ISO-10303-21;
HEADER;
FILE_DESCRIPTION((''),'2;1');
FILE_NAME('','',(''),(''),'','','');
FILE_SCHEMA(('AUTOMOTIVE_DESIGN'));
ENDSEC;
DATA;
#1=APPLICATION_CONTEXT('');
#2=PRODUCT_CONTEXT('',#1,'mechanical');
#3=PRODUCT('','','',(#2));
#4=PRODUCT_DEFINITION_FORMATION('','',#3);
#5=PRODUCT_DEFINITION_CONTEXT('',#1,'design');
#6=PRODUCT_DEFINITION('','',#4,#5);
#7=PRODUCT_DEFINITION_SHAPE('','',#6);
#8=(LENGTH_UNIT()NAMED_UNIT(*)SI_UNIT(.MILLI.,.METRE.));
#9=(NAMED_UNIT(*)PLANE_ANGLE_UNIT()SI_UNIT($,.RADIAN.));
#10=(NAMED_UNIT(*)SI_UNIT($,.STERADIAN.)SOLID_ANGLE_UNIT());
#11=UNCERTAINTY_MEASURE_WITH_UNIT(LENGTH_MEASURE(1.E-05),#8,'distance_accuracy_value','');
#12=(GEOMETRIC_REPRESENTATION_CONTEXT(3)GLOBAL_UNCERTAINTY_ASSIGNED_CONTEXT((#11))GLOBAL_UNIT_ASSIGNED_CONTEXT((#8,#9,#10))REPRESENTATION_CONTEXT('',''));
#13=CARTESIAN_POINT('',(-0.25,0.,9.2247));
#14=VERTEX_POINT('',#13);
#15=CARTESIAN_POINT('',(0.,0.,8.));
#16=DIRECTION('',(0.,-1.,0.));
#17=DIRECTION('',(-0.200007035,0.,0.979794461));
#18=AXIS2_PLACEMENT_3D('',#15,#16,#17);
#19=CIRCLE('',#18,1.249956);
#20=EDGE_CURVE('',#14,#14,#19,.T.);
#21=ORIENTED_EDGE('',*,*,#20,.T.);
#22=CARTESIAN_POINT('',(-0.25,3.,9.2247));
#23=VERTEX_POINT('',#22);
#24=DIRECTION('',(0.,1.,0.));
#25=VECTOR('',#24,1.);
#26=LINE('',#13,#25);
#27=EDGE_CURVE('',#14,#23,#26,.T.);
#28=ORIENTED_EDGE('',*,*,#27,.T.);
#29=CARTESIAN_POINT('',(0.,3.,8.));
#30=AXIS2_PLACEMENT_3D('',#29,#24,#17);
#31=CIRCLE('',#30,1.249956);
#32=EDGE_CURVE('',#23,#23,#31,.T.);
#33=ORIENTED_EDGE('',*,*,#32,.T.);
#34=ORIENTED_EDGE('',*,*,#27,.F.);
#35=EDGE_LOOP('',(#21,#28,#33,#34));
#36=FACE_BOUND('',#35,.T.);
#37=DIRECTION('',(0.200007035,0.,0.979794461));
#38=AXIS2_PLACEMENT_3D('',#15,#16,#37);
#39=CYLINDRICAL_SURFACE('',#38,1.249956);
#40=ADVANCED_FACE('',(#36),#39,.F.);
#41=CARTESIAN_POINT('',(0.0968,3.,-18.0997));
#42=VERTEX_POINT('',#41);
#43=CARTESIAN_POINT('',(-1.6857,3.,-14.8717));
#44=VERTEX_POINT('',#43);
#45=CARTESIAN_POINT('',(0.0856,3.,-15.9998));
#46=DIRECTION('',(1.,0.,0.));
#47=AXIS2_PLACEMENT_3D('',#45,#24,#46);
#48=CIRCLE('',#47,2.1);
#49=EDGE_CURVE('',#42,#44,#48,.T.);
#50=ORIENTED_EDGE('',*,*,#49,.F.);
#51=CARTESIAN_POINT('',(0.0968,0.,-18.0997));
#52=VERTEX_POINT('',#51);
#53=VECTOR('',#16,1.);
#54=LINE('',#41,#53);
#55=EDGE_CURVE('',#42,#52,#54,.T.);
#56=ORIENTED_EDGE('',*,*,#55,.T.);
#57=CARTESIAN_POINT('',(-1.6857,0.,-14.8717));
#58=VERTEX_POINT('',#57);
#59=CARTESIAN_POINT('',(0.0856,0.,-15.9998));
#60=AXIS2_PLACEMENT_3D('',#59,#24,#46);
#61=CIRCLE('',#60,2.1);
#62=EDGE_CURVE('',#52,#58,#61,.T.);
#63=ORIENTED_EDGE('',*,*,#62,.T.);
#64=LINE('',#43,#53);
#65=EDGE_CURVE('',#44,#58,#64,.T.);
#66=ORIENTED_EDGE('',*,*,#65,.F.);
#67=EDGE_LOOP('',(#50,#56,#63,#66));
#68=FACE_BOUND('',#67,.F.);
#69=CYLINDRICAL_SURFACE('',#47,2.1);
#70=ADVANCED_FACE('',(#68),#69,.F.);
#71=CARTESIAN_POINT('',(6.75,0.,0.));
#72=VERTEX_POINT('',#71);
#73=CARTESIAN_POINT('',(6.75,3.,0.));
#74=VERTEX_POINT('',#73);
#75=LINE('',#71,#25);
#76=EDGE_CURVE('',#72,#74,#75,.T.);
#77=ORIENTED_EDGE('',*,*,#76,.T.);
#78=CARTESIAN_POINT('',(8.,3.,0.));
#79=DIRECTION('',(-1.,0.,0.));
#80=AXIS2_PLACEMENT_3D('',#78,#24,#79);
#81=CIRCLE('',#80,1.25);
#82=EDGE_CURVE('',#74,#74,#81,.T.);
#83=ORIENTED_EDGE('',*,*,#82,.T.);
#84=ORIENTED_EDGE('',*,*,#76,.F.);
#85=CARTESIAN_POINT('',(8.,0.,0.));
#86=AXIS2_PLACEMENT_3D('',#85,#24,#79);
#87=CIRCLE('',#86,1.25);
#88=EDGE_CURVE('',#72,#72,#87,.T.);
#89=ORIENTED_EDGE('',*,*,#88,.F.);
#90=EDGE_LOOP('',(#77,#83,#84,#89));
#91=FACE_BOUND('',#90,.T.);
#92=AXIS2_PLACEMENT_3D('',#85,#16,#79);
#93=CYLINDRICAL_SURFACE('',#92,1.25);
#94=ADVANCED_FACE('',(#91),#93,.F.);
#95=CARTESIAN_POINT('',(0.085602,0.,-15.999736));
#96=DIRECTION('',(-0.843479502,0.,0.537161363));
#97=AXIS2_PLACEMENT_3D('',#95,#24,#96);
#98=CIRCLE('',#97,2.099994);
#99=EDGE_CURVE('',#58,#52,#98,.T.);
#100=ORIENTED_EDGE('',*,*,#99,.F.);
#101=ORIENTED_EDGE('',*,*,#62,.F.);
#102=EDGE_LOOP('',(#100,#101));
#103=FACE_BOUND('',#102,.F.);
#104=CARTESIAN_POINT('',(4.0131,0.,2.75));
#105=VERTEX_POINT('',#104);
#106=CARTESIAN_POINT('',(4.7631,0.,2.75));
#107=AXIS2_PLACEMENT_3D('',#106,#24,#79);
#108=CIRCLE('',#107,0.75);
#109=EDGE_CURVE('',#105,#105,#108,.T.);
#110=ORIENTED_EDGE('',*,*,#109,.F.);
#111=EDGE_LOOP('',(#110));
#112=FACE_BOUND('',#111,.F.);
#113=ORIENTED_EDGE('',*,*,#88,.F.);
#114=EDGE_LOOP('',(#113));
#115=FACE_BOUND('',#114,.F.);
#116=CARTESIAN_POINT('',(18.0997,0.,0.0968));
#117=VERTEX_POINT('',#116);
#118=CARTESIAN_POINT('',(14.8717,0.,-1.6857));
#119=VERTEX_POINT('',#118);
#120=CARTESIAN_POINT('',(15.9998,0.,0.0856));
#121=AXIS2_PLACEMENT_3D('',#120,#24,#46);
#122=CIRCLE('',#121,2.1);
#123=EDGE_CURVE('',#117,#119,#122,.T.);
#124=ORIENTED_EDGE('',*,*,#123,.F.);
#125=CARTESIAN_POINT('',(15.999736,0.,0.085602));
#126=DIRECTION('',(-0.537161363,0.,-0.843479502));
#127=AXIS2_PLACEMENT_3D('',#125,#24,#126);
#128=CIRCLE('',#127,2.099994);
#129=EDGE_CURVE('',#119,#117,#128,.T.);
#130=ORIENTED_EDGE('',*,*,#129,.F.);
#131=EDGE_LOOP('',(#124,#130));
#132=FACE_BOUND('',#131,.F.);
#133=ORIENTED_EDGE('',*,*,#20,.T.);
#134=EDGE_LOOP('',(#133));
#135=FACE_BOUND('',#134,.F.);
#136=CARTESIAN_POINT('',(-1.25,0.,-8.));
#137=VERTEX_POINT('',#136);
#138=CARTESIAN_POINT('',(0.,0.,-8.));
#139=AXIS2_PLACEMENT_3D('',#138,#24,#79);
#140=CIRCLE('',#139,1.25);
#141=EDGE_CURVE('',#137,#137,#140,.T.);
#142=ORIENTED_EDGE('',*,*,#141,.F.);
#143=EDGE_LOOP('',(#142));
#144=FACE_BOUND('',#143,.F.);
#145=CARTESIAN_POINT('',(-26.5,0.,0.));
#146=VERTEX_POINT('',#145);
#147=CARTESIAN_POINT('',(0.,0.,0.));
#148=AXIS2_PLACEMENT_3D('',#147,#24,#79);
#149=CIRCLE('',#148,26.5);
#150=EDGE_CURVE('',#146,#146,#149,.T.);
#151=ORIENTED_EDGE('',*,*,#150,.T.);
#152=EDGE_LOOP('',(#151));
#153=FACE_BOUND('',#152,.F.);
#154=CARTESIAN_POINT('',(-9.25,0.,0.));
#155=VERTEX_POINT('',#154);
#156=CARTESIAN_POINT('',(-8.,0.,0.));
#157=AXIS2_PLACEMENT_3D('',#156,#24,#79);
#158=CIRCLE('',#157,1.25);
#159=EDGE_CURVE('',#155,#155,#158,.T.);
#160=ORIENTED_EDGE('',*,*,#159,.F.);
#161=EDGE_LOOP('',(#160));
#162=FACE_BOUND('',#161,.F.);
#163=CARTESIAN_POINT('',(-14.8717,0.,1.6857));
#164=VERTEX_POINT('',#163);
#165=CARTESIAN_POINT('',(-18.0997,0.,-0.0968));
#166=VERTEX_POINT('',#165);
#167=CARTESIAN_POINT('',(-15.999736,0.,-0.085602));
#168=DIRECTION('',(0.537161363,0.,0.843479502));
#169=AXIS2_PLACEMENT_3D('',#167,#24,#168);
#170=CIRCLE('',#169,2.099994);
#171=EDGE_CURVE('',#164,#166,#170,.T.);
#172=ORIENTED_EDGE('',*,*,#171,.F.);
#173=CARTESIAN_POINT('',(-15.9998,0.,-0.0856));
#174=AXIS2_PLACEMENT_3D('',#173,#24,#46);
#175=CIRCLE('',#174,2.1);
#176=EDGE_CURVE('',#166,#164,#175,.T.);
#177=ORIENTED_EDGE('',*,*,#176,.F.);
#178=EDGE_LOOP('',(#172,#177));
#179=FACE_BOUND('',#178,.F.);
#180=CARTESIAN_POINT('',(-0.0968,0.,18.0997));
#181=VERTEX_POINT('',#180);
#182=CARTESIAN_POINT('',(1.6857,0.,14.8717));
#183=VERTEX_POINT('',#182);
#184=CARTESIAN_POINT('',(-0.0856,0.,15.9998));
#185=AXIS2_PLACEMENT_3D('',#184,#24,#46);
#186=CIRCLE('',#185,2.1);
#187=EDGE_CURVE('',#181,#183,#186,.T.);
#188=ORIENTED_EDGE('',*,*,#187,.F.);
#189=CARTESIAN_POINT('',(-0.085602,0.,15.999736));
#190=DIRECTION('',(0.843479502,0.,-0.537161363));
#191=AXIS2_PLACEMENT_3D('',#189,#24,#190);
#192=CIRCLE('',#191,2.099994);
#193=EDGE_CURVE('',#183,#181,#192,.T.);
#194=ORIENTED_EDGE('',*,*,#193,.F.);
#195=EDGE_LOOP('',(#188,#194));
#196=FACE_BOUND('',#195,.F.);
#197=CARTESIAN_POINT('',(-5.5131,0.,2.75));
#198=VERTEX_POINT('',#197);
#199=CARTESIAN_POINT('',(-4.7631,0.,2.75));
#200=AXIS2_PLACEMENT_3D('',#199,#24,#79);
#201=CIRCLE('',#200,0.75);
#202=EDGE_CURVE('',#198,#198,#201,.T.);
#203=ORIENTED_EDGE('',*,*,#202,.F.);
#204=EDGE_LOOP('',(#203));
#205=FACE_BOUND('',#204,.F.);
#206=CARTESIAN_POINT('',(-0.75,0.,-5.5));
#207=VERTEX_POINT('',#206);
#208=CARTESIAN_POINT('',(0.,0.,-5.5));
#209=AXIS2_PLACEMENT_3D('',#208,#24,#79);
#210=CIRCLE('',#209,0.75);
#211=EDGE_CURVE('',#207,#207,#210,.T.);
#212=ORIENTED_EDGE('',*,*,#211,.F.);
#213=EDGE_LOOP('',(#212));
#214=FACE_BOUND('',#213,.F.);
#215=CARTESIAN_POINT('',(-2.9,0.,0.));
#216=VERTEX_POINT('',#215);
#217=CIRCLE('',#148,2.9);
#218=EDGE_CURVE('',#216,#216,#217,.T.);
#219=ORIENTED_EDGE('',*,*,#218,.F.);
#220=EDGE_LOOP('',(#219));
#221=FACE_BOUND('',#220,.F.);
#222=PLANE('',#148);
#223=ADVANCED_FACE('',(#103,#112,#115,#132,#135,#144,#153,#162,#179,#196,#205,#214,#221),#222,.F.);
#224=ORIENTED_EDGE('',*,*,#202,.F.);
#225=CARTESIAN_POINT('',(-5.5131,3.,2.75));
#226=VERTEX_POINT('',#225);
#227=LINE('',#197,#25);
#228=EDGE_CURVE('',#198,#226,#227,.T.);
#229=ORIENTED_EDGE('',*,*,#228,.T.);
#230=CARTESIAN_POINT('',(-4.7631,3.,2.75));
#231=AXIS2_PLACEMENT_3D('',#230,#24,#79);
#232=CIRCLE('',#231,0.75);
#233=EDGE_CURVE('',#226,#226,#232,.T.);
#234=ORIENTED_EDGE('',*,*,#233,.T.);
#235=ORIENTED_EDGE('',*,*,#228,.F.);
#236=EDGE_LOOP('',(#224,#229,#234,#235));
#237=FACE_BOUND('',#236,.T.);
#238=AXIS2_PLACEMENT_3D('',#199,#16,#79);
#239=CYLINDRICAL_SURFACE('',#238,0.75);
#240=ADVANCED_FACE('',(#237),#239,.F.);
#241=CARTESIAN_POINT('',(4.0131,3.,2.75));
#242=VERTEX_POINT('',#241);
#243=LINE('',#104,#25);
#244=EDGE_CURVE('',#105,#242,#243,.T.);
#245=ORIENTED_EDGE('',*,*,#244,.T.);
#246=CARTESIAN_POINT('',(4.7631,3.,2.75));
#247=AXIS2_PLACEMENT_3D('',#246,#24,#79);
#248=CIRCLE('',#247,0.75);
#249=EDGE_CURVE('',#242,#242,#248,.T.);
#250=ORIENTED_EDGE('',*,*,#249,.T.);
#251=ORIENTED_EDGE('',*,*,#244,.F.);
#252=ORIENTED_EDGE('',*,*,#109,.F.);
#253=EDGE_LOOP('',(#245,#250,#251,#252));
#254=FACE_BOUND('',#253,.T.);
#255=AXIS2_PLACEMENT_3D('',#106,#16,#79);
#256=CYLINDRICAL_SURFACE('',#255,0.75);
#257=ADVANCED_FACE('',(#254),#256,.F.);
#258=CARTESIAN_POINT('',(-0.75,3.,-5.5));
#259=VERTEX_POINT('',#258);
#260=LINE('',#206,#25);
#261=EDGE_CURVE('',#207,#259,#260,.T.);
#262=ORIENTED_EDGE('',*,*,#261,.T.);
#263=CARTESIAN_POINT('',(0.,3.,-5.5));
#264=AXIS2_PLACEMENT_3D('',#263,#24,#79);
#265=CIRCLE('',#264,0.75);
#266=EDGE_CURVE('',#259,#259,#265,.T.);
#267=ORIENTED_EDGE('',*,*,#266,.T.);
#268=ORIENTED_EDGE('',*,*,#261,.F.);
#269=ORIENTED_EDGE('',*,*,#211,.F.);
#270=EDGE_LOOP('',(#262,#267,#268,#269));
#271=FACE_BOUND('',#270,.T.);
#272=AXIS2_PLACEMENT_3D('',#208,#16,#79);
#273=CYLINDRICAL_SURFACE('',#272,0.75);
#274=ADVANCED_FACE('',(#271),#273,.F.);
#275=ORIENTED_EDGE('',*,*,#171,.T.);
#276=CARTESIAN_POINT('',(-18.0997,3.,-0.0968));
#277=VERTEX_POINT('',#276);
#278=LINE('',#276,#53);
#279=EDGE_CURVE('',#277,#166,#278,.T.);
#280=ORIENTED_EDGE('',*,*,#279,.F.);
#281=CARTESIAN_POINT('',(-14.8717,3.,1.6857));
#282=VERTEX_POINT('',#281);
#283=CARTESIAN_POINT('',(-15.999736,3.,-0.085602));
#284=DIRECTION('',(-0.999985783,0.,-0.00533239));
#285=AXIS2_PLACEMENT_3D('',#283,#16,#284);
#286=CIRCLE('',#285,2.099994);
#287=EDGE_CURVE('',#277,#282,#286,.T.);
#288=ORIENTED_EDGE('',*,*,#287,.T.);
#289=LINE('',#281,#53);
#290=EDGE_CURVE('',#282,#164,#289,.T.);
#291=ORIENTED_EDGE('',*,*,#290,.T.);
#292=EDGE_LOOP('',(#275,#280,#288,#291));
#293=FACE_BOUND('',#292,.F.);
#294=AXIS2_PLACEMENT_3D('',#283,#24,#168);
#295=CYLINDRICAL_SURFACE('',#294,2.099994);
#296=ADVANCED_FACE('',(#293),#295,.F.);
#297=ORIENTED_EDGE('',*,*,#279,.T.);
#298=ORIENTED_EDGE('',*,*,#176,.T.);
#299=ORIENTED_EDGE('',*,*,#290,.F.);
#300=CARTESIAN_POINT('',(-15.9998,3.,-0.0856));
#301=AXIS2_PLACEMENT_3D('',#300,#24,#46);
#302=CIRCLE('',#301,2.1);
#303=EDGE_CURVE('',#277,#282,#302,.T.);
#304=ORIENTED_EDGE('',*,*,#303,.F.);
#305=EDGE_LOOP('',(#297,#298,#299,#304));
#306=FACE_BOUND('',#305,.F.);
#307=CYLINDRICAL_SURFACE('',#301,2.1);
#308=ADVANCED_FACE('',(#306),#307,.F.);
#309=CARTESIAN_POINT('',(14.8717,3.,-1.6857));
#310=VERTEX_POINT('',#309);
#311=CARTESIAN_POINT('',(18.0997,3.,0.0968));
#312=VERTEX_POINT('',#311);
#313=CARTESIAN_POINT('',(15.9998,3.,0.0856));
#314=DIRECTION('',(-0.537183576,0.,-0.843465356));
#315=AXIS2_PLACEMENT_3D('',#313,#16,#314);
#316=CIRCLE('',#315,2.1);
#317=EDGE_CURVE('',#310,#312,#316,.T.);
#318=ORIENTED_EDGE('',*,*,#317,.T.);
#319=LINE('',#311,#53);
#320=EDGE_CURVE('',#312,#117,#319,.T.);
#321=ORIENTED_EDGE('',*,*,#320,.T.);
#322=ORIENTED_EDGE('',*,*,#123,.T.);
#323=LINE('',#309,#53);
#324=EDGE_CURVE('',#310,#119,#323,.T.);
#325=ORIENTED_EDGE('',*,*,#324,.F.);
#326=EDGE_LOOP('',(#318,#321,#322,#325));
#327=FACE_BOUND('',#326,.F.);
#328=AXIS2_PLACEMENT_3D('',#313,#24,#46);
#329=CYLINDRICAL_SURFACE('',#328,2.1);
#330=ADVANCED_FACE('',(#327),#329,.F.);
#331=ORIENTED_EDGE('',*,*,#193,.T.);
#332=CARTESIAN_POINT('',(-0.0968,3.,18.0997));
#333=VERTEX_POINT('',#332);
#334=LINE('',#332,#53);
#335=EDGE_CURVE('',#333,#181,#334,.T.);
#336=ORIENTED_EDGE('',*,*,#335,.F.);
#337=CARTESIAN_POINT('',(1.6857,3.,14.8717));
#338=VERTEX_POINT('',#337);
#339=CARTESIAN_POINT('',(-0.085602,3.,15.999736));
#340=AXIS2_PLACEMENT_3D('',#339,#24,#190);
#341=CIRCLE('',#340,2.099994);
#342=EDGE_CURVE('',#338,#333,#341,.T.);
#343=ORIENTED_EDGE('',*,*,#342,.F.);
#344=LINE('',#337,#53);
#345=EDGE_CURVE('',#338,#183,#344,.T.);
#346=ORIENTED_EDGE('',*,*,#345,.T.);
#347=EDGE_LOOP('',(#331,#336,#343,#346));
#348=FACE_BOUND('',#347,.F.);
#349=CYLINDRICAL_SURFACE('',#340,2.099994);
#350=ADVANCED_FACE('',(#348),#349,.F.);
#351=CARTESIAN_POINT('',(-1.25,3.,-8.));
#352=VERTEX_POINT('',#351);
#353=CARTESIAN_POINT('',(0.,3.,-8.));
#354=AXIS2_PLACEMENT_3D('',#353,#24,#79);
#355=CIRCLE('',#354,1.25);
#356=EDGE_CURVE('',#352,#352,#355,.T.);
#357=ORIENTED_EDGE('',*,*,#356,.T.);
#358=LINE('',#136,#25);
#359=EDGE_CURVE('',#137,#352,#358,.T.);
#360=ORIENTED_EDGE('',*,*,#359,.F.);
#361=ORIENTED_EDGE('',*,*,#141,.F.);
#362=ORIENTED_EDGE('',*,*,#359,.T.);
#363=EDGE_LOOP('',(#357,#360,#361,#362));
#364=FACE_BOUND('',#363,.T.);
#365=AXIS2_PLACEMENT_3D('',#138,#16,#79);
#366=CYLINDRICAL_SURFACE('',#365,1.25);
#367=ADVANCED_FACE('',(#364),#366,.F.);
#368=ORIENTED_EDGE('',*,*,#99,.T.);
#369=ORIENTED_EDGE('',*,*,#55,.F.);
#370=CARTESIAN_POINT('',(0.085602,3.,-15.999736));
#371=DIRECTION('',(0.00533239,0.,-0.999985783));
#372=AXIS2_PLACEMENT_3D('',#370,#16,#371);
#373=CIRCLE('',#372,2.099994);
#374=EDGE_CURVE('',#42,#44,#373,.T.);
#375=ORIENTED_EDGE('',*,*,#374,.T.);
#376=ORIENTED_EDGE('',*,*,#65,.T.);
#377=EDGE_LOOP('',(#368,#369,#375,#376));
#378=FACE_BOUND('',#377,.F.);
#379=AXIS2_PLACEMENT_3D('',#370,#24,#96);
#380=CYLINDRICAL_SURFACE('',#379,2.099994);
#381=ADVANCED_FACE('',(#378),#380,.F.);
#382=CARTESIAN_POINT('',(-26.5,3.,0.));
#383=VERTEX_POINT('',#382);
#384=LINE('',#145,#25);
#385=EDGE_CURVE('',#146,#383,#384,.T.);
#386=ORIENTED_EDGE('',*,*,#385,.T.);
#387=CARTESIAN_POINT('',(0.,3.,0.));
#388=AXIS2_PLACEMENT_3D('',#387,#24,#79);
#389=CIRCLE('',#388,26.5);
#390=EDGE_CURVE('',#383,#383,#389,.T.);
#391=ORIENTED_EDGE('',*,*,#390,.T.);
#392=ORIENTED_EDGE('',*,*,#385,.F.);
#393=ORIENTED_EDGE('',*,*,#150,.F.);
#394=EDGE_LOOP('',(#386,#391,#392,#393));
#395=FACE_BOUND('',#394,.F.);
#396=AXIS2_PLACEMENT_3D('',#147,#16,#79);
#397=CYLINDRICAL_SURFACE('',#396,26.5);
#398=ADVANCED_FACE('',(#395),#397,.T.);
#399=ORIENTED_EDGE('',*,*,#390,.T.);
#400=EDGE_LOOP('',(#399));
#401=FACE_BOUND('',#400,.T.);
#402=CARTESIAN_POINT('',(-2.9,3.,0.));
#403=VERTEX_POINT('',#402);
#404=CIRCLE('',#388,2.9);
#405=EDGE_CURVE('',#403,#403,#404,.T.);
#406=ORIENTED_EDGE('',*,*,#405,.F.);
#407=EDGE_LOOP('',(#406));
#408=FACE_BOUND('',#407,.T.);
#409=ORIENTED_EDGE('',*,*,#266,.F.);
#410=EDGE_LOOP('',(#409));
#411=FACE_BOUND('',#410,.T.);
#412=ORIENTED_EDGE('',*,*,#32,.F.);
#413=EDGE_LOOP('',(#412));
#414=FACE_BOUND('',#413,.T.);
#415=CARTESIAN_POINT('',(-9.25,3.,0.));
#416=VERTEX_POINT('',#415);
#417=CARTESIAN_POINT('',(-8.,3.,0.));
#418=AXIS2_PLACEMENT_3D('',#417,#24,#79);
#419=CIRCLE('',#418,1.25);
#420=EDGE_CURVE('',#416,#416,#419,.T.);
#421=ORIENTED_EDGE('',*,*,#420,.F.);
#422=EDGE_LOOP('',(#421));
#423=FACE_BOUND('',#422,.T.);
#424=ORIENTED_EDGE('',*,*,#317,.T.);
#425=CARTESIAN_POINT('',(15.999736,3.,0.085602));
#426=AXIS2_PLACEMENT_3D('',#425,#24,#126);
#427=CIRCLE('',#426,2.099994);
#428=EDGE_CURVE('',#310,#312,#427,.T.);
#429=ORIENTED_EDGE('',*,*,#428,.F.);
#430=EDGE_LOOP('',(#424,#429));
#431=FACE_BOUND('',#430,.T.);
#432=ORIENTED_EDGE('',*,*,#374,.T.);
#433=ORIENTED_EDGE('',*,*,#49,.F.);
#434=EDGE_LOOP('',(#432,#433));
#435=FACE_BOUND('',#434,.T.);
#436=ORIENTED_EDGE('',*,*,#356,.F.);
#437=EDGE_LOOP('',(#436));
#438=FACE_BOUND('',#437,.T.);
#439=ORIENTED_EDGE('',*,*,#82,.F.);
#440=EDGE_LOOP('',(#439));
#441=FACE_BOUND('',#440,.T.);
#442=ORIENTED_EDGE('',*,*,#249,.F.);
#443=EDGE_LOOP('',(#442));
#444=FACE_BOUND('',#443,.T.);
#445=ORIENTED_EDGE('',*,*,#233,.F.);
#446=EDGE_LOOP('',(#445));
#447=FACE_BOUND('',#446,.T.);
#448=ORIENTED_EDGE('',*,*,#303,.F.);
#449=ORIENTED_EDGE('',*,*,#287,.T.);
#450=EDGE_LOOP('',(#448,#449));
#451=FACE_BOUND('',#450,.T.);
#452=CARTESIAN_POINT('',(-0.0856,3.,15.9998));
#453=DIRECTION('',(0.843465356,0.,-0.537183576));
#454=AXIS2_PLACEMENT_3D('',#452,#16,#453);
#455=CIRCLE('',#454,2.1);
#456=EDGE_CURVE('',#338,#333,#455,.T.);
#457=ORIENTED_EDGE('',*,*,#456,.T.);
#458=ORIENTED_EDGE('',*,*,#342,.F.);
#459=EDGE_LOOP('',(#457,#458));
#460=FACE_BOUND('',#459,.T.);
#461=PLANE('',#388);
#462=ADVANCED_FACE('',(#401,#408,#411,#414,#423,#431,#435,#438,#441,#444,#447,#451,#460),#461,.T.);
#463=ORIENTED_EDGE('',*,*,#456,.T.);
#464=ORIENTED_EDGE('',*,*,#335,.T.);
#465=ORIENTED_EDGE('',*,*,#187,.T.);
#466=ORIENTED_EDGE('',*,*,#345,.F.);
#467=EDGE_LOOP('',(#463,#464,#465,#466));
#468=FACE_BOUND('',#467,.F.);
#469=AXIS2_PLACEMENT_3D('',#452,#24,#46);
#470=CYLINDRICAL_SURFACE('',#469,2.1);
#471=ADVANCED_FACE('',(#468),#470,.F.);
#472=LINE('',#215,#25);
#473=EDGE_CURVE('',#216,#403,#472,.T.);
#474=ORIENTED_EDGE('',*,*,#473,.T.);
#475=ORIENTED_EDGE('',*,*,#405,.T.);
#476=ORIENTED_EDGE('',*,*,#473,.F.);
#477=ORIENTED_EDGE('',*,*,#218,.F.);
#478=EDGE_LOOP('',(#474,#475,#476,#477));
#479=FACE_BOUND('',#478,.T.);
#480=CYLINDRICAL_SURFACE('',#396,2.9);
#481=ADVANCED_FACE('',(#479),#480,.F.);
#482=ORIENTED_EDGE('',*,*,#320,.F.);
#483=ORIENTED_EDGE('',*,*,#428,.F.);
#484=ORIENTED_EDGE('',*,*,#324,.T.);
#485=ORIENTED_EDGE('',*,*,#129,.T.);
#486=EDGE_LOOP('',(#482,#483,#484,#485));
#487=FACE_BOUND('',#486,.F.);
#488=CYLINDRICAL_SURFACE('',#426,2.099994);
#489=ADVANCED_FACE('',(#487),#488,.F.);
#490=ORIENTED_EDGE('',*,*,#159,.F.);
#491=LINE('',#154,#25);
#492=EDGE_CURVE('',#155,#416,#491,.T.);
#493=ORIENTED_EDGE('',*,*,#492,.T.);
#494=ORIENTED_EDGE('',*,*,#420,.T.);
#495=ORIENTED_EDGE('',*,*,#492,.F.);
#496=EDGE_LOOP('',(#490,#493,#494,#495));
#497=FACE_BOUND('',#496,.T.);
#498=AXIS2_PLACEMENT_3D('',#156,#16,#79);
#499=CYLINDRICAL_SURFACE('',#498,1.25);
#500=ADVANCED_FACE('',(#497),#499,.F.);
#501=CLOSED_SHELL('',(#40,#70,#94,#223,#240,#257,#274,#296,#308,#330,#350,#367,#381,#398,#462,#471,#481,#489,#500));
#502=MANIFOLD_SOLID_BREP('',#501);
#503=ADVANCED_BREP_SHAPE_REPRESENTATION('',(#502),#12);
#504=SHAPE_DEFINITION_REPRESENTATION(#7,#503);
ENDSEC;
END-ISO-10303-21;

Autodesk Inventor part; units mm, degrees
ref_plane "YZ Plane" through (0, 0, 0) normal (1, 0, 0) x (0, 1, 0)
ref_plane "XZ Plane" through (0, 0, 0) normal (0, 1, 0) x (-1, 0, 0)
ref_plane "XY Plane" through (0, 0, 0) normal (0, 0, 1) x (1, 0, 0)
sketch "Эскиз1" plane through (0, 0, 0) normal (0, 1, 0) x (-1, 0, 0)
  arc A0 (-0.25, 9.2247) -> (0.25, 9.2247) centre (0, 8) ccw
  line L0 (-0.25, 10.9972) -> (-0.25, 9.2247)
  arc A1 (-0.25, 10.9972) -> (-1.1469, -10.94) centre (0, 0) ccw
  line L1 (-1.1469, -10.6297) -> (-1.1469, -10.94)
  line L2 (-0.8473, -10.6297) -> (-1.1469, -10.6297)
  line L3 (-0.8473, -10.9673) -> (-0.8473, -10.6297)
  arc A2 (-0.8473, -10.9673) -> (0.8535, -10.9668) centre (0, 0) ccw
  line L4 (0.8535, -10.6297) -> (0.8535, -10.9668)
  line L5 (1.1541, -10.6297) -> (0.8535, -10.6297)
  line L6 (1.1541, -10.9393) -> (1.1541, -10.6297)
  arc A3 (1.1541, -10.9393) -> (0.25, 10.9972) centre (0, 0) ccw
  line L7 (0.25, 9.2247) -> (0.25, 10.9972)
  circle A4 centre (8, 0) radius 1.25
  circle A5 centre (0, -8) radius 1.25
  circle A6 centre (-8, 0) radius 1.25
  circle A7 centre (0, -5.5) radius 0.75
  circle A8 centre (4.7631, 2.75) radius 0.75
  circle A9 centre (-4.7631, 2.75) radius 0.75
  circle A10 centre (0, 0) radius 2.9
  arc A11 (0.25, 9.2247) -> (-0.25, 9.2247) centre (0, 8) ccw
  circle A12 centre (0, 0) radius 26.5
  point P0 (0, 0)
  dimension "d3" = 53
extrude "Выдавливание1" add sketch "Эскиз1" along normal blind 3 contours A0 L7 A3 L6 L5 L4 A2 L3 L2 L1 A1 L0 | A12
sketch "Эскиз2" plane through (0, 3, 0) normal (0, 1, 0) x (1, 0, 0)
  arc A0 (-14.8717, -1.6857) -> (-18.0997, 0.0968) centre (-15.9998, 0.0856) ccw
  arc A1 (-6.8718, -1.7285) -> (-9.1468, -1.7163) centre (-7.9999, 0.0428) ccw
  circle A2 centre (0, 0) radius 4
  arc A3 (-1.7285, 6.8718) -> (-1.7163, 9.1468) centre (0.0428, 7.9999) ccw
  arc A4 (-1.6857, 14.8717) -> (0.0968, 18.0997) centre (0.0856, 15.9998) ccw
  arc A5 (6.8718, 1.7285) -> (9.1468, 1.7163) centre (7.9999, -0.0428) ccw
  arc A6 (14.8717, 1.6857) -> (18.0997, -0.0968) centre (15.9998, -0.0856) ccw
  arc A7 (1.7285, -6.8718) -> (1.7163, -9.1468) centre (-0.0428, -7.9999) ccw
  arc A8 (1.6857, -14.8717) -> (-0.0968, -18.0997) centre (-0.0856, -15.9998) ccw
  circle A9 centre (-15.9998, 0.0856) radius 2.1
  circle A10 centre (-7.9999, 0.0428) radius 2.1
  circle A11 centre (0, 0) radius 4
  circle A12 centre (0.0428, 7.9999) radius 2.1
  circle A13 centre (0.0856, 15.9998) radius 2.1
  circle A14 centre (7.9999, -0.0428) radius 2.1
  circle A15 centre (15.9998, -0.0856) radius 2.1
  circle A16 centre (-0.0428, -7.9999) radius 2.1
  circle A17 centre (-0.0856, -15.9998) radius 2.1
  dimension "d4" = 4.2
extrude "Выдавливание2" cut sketch "Эскиз2" against normal blind 10 contours A9 A0 | A13 A4 | A15 A6 | A17 A8
properties part number "КВ33.044.405 -  Боковина шкива"
